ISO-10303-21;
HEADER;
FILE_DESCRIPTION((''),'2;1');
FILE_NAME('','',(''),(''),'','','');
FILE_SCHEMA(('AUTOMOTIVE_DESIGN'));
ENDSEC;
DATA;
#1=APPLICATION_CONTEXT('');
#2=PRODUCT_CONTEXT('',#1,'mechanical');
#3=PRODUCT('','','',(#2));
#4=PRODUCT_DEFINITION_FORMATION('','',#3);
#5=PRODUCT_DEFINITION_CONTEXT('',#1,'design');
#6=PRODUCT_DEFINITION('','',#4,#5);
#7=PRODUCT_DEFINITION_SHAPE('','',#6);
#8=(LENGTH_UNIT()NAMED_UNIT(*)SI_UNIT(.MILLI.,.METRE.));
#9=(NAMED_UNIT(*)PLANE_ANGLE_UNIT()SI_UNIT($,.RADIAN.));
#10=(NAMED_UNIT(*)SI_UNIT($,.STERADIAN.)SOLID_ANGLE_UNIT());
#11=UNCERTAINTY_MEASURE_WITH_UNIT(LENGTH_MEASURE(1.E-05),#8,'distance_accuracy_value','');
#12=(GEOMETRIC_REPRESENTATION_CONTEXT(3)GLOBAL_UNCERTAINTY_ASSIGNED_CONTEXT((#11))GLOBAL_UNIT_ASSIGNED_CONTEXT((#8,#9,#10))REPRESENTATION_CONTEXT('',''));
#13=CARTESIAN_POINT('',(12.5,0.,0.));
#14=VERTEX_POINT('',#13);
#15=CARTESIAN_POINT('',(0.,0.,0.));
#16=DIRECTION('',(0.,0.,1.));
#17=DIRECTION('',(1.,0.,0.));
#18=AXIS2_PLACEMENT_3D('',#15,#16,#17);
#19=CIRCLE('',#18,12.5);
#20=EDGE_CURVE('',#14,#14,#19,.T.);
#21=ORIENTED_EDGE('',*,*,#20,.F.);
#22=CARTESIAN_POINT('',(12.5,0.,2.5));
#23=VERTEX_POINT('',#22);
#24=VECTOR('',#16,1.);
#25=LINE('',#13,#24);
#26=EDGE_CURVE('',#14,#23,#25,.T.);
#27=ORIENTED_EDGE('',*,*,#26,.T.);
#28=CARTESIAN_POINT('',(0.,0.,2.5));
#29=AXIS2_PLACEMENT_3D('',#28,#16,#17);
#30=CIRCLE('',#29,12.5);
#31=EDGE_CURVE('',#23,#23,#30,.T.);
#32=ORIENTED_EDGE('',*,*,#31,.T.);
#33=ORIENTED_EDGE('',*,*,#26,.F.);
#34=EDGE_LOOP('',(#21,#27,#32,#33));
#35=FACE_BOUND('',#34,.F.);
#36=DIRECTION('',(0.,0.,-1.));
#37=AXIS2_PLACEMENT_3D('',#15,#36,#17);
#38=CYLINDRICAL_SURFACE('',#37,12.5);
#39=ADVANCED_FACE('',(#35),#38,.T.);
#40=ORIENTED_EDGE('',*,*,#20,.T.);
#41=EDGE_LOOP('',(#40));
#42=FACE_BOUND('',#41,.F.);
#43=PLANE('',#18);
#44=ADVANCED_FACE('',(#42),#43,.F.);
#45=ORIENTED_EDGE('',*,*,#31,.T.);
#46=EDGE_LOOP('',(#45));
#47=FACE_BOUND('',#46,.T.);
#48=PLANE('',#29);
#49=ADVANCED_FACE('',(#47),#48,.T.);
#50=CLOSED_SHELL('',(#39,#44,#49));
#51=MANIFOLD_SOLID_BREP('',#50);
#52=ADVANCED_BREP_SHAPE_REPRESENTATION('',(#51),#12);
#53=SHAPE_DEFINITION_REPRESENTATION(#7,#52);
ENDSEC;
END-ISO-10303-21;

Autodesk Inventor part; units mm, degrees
ref_plane "YZ Plane" through (0, 0, 0) normal (1, 0, 0) x (0, 1, 0)
ref_plane "XZ Plane" through (0, 0, 0) normal (0, 1, 0) x (-1, 0, 0)
ref_plane "XY Plane" through (0, 0, 0) normal (0, 0, 1) x (1, 0, 0)
sketch "Sketch1" plane through (0, 0, 0) normal (0, 0, 1) x (1, 0, 0)
  circle A0 centre (0, 0) radius 12.5
  dimension "d0" = 25
extrude "Extrusion1" add sketch "Sketch1" along normal blind 2.5
properties part number "00_Lens_d21,5" material "Glass"
